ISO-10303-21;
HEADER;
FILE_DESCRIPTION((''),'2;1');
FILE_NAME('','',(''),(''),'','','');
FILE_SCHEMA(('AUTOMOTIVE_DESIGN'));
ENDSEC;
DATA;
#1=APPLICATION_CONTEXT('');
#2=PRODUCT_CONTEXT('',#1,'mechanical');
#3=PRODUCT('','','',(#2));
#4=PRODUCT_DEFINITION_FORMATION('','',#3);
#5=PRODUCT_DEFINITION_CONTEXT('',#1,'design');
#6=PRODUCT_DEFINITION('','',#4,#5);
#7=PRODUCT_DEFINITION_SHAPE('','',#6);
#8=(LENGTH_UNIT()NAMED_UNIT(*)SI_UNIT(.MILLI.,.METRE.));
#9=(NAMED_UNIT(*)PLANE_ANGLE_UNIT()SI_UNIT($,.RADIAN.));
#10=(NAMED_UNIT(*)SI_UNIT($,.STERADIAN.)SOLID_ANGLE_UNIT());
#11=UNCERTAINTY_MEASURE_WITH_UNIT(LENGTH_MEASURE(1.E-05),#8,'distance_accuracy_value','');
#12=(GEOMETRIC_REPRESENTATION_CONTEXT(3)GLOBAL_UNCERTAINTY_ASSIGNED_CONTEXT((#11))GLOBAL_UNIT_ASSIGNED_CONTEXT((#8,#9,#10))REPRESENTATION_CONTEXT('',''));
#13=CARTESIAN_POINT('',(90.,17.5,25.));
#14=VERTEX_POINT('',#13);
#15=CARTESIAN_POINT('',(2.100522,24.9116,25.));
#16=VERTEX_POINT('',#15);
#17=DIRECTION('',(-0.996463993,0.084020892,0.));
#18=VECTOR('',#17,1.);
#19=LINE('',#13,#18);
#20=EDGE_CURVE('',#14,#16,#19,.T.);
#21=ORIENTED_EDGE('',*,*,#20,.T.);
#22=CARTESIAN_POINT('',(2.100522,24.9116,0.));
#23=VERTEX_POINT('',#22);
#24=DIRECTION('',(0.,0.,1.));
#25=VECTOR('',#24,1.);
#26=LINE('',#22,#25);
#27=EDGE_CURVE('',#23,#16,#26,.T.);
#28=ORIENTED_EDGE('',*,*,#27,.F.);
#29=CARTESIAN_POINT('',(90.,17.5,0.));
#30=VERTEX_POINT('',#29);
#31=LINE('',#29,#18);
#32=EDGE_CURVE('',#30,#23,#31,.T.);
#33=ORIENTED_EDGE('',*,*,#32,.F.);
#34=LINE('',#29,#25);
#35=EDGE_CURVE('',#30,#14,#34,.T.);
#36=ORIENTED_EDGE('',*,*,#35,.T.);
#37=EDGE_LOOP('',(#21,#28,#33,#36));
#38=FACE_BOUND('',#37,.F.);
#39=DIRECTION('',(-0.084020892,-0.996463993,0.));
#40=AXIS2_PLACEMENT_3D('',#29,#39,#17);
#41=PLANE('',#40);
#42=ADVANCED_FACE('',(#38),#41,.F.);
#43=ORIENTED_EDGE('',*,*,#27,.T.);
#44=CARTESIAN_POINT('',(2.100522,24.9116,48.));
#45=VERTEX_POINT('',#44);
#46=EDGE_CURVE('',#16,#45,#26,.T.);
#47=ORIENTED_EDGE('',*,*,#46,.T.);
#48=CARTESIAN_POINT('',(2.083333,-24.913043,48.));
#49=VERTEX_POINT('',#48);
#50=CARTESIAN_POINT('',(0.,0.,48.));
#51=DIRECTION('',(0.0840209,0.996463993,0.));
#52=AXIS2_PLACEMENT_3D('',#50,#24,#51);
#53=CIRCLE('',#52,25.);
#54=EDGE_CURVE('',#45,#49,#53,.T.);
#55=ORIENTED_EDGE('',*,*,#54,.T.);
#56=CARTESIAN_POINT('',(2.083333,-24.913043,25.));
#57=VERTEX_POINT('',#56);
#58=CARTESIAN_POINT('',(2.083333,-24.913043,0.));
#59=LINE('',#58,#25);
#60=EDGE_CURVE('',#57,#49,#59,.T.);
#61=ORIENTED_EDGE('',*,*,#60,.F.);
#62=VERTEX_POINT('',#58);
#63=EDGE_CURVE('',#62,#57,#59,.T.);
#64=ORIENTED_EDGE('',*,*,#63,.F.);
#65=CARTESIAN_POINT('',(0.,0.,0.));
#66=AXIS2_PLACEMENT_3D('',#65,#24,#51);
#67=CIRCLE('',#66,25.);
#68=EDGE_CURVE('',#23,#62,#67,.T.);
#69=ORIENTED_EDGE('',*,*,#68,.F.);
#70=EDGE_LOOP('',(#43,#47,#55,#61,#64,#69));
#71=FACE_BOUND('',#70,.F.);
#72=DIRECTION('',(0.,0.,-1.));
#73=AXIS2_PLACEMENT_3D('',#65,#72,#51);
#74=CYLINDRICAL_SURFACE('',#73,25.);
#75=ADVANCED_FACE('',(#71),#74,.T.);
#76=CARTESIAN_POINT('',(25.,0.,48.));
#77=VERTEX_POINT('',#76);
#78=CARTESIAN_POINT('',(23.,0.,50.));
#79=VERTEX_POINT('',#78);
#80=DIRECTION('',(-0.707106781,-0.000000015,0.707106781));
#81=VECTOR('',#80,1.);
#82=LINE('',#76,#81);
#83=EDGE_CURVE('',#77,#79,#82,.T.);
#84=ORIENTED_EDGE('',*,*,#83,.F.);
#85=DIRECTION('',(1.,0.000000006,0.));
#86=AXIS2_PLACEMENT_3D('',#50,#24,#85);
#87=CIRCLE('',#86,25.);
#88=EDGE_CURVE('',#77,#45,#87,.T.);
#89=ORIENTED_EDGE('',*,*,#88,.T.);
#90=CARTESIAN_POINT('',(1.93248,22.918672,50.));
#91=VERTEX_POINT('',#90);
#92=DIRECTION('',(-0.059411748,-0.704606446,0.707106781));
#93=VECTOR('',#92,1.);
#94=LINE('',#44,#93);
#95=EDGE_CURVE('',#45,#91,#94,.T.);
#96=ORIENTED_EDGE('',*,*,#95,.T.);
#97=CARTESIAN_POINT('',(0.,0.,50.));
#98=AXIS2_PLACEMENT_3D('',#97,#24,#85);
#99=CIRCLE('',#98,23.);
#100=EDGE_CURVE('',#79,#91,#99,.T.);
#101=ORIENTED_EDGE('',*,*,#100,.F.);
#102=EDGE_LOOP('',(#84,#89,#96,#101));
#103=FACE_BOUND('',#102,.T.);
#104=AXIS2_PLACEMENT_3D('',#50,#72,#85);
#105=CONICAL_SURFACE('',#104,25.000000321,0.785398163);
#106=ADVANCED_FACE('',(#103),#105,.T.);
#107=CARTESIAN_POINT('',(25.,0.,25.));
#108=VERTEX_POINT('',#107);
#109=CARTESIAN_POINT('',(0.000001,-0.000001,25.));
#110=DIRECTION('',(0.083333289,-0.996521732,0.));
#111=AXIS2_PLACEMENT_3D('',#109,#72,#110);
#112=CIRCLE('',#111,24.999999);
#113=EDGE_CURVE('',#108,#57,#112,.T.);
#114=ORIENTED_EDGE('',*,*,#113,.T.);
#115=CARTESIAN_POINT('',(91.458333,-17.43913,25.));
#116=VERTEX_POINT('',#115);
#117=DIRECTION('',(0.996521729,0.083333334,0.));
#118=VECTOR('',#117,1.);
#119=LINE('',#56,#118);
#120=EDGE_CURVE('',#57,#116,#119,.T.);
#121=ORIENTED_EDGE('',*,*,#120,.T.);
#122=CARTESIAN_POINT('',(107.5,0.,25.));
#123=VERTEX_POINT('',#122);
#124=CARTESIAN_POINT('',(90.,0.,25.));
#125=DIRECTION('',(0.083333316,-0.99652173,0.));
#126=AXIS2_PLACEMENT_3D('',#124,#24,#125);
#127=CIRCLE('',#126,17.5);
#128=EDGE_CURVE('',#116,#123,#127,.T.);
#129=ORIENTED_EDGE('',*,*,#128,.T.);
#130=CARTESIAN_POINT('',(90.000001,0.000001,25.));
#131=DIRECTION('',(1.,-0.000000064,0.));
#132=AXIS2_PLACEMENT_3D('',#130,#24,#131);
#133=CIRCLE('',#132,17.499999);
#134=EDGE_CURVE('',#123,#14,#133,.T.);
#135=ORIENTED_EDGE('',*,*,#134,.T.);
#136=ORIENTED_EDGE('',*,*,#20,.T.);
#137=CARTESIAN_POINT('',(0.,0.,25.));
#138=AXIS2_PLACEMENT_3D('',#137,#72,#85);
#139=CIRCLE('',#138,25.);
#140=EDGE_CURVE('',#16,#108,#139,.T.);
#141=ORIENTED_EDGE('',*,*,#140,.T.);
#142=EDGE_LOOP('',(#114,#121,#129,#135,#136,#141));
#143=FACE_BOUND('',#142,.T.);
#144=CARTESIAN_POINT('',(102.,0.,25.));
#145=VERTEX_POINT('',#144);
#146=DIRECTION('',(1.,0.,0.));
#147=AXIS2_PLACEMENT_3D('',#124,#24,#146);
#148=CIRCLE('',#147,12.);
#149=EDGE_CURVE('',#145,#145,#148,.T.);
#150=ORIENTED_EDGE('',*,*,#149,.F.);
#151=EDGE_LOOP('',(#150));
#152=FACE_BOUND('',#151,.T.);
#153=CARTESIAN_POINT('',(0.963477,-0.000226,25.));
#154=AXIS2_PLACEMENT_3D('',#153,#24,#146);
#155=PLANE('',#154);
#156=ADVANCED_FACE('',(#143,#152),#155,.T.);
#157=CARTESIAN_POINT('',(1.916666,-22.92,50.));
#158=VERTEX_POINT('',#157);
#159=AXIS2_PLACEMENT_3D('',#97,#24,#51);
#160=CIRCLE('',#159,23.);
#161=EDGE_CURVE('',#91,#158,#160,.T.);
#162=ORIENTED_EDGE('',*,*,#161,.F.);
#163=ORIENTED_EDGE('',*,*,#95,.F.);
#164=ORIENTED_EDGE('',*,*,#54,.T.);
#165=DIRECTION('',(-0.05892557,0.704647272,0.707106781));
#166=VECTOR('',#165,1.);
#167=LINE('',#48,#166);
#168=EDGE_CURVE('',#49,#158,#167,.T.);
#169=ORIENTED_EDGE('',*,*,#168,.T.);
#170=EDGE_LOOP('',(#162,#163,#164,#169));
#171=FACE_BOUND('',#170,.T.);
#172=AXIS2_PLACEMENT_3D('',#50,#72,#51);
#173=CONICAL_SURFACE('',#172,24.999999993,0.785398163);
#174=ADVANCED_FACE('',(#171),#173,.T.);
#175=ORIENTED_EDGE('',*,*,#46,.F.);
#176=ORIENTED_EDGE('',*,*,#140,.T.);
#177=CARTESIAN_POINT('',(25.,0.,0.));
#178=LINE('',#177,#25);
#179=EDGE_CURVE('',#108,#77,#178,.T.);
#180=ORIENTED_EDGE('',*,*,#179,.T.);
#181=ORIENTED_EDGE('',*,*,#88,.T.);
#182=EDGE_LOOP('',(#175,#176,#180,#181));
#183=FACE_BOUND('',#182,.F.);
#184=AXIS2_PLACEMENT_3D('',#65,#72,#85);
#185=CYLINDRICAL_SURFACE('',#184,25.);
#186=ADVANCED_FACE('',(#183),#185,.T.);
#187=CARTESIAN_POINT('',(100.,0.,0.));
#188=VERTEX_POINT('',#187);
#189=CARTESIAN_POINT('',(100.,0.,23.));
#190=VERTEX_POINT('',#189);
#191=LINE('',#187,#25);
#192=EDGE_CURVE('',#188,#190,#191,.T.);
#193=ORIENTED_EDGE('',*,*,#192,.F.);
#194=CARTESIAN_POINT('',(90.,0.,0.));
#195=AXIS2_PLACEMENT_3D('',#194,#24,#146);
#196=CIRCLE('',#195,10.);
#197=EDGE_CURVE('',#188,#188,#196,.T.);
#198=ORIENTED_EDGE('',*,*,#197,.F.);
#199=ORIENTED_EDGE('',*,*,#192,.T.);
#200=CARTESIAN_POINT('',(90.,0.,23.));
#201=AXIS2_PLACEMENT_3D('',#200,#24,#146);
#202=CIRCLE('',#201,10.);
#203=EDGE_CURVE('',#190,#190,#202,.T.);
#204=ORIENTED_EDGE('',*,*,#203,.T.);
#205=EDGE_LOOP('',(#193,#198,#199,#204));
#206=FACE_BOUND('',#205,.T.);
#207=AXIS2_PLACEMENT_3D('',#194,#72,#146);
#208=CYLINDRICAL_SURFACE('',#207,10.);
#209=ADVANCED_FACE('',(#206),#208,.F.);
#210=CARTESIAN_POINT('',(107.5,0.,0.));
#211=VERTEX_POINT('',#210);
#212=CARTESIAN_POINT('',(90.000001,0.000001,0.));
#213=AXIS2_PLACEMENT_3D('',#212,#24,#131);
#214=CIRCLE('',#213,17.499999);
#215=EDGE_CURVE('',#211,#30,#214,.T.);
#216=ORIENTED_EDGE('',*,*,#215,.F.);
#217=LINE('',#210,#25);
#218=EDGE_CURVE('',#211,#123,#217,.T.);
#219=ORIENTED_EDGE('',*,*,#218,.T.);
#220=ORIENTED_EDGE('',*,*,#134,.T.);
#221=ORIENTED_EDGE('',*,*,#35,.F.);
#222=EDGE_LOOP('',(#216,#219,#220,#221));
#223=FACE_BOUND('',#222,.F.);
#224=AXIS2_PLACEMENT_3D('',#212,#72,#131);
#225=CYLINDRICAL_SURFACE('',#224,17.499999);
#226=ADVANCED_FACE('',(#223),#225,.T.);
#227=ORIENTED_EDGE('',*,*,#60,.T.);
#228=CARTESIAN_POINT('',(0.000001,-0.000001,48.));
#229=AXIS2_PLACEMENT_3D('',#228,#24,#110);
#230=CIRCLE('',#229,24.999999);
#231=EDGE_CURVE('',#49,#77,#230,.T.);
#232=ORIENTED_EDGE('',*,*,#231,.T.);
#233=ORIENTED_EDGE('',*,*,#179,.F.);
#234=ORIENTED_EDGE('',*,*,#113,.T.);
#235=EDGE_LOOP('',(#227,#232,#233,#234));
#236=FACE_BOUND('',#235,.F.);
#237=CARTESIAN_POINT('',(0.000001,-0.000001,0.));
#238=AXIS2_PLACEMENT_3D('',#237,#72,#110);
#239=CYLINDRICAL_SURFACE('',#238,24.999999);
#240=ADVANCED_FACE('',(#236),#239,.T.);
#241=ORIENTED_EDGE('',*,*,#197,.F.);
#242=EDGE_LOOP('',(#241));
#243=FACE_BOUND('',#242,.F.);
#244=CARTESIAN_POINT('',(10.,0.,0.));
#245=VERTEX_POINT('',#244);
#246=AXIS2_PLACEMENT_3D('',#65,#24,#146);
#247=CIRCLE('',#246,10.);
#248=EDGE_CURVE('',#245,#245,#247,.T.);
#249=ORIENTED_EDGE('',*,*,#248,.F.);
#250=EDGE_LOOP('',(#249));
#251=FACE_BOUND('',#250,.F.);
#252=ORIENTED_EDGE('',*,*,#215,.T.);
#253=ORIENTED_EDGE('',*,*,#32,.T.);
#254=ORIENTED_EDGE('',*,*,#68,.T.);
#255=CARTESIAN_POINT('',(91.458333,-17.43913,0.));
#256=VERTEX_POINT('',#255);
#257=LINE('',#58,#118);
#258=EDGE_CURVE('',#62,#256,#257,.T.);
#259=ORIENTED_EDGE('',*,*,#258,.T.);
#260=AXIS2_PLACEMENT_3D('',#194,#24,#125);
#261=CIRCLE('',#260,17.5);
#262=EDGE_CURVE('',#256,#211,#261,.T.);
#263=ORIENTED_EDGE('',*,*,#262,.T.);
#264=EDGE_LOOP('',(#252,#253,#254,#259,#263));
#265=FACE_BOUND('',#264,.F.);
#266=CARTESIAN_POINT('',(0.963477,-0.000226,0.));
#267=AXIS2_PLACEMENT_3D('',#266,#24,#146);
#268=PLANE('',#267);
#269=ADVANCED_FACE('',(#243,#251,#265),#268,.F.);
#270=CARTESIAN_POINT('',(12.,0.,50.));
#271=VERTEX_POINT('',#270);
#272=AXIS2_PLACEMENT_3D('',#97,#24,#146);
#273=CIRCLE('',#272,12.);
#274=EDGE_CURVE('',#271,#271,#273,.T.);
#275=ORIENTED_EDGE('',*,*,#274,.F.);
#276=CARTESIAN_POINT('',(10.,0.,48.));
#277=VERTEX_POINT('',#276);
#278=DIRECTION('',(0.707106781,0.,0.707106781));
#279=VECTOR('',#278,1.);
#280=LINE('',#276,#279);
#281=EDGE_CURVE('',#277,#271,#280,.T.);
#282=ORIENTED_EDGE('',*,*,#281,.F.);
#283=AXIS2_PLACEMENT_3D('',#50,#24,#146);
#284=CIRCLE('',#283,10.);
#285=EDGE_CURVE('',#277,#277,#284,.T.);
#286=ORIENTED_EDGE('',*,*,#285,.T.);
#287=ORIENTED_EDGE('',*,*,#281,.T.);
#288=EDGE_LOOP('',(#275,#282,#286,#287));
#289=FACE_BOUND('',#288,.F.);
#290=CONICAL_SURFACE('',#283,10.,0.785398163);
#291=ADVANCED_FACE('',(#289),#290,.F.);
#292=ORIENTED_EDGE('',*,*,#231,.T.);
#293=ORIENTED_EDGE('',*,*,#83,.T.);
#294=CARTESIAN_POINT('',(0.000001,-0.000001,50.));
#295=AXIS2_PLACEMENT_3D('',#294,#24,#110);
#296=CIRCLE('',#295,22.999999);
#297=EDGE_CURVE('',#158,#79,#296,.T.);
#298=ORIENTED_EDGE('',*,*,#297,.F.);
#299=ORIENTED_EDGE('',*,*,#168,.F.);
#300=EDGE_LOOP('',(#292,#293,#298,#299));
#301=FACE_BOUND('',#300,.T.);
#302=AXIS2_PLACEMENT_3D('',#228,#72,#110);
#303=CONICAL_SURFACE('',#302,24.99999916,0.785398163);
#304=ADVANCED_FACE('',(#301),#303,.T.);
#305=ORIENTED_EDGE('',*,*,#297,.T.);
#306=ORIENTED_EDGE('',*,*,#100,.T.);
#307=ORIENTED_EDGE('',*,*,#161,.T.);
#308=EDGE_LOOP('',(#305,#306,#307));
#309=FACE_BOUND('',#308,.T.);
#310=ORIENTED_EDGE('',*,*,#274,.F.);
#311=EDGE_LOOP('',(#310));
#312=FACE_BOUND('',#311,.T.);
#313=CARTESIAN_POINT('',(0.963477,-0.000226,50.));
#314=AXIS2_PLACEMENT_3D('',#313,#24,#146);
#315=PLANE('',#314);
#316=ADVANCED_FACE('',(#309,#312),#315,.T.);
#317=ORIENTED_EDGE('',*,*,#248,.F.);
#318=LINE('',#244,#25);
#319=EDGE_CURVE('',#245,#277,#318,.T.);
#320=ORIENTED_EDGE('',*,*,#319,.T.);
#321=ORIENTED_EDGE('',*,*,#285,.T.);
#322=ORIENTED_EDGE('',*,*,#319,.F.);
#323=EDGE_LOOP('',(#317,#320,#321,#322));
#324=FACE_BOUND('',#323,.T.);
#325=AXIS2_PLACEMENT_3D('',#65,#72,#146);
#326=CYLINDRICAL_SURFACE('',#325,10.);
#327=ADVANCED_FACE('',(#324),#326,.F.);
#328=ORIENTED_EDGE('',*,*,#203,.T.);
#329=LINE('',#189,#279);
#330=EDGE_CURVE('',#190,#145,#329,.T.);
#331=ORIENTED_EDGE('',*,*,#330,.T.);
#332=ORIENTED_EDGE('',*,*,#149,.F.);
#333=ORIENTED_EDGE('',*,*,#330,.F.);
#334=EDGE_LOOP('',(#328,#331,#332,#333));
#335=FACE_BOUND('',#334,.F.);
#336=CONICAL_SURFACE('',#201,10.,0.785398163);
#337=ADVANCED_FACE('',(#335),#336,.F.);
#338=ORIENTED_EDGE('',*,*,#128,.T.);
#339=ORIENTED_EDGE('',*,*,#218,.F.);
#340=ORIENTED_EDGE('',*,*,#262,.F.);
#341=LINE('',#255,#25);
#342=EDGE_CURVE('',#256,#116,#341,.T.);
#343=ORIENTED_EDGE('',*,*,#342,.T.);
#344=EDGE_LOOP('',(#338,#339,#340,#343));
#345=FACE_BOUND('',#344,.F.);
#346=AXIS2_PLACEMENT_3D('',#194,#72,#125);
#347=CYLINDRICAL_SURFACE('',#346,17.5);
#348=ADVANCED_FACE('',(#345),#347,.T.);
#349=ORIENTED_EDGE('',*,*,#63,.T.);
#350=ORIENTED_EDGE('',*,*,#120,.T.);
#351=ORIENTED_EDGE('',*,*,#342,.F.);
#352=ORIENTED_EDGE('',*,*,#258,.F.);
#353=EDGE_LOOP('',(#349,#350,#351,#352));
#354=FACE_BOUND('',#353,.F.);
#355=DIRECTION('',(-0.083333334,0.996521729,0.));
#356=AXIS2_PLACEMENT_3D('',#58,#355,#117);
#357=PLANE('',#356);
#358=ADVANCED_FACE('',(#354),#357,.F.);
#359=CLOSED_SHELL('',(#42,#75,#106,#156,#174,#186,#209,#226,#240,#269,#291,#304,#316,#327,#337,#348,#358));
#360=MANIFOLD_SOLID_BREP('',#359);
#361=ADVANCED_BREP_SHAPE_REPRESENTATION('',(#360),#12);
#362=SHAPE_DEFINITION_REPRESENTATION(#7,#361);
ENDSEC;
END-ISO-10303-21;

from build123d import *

# Parameters (mm, degrees)
F0_R     = 10
F1_DEPTH = 25
F2_DEPTH = 50
F3_SIZE  = 2


with BuildPart() as f1:
    # F0 (on Top) → F1 (new body)
    with BuildSketch(Plane.XY):
        with BuildLine():
            ThreePointArc((2.083333, -24.913043), (18.399502, -16.92508), (25, 0))
            ThreePointArc((25, 0), (18.40534, 16.918731), (2.100522, 24.9116))
            ThreePointArc((2.100522, 24.9116), (-24.999999, 0.008625), (2.083333, -24.913043))
        make_face()
        Circle(F0_R, mode=Mode.SUBTRACT)
        with BuildLine():
            ThreePointArc((2.100522, 24.9116), (18.40534, 16.918731), (25, 0))
            ThreePointArc((25, 0), (18.399502, -16.92508), (2.083333, -24.913043))
            Line((2.083333, -24.913043), (91.458333, -17.43913))
            ThreePointArc((91.458333, -17.43913), (72.515224, -0.729802), (90, 17.5))
            Line((90, 17.5), (2.100522, 24.9116))
        make_face()
        with BuildLine():
            ThreePointArc((107.5, 0), (102.374369, 12.374369), (90, 17.5))
            ThreePointArc((90, 17.5), (72.515224, -0.729802), (91.458333, -17.43913))
            ThreePointArc((91.458333, -17.43913), (102.879651, -11.847556), (107.5, 0))
        make_face()
        with Locations((90, 0)):
            Circle(F0_R, mode=Mode.SUBTRACT)
    extrude(amount=F1_DEPTH)

    # F0 (on Top) → F2 (join)
    with BuildSketch(Plane.XY):
        with BuildLine():
            ThreePointArc((2.083333, -24.913043), (18.399502, -16.92508), (25, 0))
            ThreePointArc((25, 0), (18.40534, 16.918731), (2.100522, 24.9116))
            ThreePointArc((2.100522, 24.9116), (-24.999999, 0.008625), (2.083333, -24.913043))
        make_face()
        Circle(F0_R, mode=Mode.SUBTRACT)
    extrude(amount=F2_DEPTH)

    # F3
    f3_edges = [f1.edges().sort_by_distance(p)[0] for p in [
        (-2.083333, 24.913043, 50),
        (80, 0, 25),
        (-10, 0, 50),
    ]]
    chamfer(f3_edges, length=F3_SIZE)


solid = f1.part
